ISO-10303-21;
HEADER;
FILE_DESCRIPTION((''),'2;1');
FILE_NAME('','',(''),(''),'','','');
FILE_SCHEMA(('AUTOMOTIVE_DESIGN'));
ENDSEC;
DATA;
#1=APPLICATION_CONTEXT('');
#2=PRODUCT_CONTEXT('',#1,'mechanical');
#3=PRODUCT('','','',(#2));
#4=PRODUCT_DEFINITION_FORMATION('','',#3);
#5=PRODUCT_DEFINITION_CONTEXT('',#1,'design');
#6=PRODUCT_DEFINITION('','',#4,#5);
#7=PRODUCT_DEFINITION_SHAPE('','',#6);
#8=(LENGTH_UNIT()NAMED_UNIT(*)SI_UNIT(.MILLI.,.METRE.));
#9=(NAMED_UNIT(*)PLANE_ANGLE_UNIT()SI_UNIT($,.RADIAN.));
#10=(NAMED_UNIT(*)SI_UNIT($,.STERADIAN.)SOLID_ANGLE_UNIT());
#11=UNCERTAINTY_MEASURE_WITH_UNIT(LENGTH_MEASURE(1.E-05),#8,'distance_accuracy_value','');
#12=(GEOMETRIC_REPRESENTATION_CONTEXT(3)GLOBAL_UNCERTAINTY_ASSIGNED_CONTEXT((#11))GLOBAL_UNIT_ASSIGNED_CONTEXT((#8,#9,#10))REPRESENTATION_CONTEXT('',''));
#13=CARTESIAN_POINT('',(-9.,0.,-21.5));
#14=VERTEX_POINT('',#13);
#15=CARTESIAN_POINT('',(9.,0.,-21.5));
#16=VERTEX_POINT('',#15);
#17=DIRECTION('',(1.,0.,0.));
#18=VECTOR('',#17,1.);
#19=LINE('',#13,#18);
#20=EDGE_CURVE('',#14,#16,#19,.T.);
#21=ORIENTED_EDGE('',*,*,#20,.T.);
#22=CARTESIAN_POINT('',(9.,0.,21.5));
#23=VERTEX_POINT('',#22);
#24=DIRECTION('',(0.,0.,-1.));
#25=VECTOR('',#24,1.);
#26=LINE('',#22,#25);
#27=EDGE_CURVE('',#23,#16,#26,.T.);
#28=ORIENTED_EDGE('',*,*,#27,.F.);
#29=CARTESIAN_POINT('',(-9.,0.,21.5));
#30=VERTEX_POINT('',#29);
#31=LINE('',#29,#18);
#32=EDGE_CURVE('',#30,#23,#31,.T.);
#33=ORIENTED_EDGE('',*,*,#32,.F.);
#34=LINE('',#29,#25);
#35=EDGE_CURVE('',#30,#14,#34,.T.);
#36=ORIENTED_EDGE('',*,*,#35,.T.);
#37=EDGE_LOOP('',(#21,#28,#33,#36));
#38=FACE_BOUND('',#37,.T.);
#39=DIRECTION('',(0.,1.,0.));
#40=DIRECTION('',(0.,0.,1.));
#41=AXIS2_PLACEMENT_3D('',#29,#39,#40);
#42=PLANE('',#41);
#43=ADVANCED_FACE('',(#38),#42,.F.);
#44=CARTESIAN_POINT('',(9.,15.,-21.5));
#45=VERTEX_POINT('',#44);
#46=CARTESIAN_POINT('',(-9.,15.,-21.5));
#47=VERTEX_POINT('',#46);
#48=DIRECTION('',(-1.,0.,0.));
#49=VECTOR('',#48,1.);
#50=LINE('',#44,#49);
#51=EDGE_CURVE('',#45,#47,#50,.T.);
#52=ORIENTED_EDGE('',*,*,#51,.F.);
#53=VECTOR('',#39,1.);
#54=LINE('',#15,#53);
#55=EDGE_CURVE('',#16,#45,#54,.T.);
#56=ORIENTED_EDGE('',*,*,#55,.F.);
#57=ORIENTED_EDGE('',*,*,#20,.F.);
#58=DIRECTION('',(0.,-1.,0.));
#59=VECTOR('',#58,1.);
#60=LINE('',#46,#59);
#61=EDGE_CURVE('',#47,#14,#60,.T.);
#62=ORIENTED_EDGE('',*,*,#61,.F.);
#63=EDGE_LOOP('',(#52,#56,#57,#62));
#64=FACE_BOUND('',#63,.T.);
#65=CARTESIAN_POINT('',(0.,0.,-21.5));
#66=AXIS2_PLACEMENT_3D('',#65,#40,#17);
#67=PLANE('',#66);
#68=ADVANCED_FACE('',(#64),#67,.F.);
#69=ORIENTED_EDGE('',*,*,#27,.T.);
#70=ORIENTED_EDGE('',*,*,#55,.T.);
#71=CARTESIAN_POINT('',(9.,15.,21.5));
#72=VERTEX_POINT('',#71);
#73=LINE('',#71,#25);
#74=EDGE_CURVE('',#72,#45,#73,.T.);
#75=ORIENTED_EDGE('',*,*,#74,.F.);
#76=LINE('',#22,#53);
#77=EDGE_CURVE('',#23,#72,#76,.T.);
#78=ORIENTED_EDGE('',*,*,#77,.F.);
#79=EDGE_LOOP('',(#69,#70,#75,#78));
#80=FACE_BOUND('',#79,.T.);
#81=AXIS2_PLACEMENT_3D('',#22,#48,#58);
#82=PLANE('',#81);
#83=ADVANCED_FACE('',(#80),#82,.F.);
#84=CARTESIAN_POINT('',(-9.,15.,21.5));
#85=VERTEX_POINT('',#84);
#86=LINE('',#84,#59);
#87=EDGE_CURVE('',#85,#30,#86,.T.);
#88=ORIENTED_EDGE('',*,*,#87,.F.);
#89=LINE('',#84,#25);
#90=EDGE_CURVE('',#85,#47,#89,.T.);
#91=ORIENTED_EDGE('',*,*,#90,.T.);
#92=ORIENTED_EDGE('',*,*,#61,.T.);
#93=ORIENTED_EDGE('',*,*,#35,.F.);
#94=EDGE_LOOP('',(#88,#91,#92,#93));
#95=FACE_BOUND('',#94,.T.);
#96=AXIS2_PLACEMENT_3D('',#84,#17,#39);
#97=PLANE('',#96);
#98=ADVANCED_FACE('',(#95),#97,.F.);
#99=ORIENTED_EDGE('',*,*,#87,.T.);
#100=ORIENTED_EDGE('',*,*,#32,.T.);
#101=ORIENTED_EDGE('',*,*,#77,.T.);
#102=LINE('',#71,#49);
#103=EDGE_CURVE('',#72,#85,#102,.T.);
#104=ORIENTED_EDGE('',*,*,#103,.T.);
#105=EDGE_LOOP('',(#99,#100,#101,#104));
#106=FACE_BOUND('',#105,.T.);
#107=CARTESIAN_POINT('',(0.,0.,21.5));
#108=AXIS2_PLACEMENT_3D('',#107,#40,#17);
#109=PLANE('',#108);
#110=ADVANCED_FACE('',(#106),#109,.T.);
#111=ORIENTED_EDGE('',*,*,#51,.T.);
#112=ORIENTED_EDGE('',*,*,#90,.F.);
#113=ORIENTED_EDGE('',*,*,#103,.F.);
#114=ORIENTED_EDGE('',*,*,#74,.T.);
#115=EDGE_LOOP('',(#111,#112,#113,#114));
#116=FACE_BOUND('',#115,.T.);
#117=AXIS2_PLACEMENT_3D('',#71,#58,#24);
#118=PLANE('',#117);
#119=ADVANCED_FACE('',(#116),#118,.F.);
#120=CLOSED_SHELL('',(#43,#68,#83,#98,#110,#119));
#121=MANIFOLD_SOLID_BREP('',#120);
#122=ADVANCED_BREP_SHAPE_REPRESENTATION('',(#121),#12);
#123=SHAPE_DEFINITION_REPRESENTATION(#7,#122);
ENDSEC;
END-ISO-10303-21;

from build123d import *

# Parameters (mm, degrees)
SKETCH1_W           = 18
SKETCH1_H           = 15
BOSS_EXTRUDE1_DEPTH = 21.5


with BuildPart() as part:
    # Sketch1 → Boss-Extrude1 (new, symmetric)
    with BuildSketch(Plane.XY):
        with Locations((0, 7.5)):
            Rectangle(SKETCH1_W, SKETCH1_H)
    extrude(amount=BOSS_EXTRUDE1_DEPTH, both=True)


solid = part.part
